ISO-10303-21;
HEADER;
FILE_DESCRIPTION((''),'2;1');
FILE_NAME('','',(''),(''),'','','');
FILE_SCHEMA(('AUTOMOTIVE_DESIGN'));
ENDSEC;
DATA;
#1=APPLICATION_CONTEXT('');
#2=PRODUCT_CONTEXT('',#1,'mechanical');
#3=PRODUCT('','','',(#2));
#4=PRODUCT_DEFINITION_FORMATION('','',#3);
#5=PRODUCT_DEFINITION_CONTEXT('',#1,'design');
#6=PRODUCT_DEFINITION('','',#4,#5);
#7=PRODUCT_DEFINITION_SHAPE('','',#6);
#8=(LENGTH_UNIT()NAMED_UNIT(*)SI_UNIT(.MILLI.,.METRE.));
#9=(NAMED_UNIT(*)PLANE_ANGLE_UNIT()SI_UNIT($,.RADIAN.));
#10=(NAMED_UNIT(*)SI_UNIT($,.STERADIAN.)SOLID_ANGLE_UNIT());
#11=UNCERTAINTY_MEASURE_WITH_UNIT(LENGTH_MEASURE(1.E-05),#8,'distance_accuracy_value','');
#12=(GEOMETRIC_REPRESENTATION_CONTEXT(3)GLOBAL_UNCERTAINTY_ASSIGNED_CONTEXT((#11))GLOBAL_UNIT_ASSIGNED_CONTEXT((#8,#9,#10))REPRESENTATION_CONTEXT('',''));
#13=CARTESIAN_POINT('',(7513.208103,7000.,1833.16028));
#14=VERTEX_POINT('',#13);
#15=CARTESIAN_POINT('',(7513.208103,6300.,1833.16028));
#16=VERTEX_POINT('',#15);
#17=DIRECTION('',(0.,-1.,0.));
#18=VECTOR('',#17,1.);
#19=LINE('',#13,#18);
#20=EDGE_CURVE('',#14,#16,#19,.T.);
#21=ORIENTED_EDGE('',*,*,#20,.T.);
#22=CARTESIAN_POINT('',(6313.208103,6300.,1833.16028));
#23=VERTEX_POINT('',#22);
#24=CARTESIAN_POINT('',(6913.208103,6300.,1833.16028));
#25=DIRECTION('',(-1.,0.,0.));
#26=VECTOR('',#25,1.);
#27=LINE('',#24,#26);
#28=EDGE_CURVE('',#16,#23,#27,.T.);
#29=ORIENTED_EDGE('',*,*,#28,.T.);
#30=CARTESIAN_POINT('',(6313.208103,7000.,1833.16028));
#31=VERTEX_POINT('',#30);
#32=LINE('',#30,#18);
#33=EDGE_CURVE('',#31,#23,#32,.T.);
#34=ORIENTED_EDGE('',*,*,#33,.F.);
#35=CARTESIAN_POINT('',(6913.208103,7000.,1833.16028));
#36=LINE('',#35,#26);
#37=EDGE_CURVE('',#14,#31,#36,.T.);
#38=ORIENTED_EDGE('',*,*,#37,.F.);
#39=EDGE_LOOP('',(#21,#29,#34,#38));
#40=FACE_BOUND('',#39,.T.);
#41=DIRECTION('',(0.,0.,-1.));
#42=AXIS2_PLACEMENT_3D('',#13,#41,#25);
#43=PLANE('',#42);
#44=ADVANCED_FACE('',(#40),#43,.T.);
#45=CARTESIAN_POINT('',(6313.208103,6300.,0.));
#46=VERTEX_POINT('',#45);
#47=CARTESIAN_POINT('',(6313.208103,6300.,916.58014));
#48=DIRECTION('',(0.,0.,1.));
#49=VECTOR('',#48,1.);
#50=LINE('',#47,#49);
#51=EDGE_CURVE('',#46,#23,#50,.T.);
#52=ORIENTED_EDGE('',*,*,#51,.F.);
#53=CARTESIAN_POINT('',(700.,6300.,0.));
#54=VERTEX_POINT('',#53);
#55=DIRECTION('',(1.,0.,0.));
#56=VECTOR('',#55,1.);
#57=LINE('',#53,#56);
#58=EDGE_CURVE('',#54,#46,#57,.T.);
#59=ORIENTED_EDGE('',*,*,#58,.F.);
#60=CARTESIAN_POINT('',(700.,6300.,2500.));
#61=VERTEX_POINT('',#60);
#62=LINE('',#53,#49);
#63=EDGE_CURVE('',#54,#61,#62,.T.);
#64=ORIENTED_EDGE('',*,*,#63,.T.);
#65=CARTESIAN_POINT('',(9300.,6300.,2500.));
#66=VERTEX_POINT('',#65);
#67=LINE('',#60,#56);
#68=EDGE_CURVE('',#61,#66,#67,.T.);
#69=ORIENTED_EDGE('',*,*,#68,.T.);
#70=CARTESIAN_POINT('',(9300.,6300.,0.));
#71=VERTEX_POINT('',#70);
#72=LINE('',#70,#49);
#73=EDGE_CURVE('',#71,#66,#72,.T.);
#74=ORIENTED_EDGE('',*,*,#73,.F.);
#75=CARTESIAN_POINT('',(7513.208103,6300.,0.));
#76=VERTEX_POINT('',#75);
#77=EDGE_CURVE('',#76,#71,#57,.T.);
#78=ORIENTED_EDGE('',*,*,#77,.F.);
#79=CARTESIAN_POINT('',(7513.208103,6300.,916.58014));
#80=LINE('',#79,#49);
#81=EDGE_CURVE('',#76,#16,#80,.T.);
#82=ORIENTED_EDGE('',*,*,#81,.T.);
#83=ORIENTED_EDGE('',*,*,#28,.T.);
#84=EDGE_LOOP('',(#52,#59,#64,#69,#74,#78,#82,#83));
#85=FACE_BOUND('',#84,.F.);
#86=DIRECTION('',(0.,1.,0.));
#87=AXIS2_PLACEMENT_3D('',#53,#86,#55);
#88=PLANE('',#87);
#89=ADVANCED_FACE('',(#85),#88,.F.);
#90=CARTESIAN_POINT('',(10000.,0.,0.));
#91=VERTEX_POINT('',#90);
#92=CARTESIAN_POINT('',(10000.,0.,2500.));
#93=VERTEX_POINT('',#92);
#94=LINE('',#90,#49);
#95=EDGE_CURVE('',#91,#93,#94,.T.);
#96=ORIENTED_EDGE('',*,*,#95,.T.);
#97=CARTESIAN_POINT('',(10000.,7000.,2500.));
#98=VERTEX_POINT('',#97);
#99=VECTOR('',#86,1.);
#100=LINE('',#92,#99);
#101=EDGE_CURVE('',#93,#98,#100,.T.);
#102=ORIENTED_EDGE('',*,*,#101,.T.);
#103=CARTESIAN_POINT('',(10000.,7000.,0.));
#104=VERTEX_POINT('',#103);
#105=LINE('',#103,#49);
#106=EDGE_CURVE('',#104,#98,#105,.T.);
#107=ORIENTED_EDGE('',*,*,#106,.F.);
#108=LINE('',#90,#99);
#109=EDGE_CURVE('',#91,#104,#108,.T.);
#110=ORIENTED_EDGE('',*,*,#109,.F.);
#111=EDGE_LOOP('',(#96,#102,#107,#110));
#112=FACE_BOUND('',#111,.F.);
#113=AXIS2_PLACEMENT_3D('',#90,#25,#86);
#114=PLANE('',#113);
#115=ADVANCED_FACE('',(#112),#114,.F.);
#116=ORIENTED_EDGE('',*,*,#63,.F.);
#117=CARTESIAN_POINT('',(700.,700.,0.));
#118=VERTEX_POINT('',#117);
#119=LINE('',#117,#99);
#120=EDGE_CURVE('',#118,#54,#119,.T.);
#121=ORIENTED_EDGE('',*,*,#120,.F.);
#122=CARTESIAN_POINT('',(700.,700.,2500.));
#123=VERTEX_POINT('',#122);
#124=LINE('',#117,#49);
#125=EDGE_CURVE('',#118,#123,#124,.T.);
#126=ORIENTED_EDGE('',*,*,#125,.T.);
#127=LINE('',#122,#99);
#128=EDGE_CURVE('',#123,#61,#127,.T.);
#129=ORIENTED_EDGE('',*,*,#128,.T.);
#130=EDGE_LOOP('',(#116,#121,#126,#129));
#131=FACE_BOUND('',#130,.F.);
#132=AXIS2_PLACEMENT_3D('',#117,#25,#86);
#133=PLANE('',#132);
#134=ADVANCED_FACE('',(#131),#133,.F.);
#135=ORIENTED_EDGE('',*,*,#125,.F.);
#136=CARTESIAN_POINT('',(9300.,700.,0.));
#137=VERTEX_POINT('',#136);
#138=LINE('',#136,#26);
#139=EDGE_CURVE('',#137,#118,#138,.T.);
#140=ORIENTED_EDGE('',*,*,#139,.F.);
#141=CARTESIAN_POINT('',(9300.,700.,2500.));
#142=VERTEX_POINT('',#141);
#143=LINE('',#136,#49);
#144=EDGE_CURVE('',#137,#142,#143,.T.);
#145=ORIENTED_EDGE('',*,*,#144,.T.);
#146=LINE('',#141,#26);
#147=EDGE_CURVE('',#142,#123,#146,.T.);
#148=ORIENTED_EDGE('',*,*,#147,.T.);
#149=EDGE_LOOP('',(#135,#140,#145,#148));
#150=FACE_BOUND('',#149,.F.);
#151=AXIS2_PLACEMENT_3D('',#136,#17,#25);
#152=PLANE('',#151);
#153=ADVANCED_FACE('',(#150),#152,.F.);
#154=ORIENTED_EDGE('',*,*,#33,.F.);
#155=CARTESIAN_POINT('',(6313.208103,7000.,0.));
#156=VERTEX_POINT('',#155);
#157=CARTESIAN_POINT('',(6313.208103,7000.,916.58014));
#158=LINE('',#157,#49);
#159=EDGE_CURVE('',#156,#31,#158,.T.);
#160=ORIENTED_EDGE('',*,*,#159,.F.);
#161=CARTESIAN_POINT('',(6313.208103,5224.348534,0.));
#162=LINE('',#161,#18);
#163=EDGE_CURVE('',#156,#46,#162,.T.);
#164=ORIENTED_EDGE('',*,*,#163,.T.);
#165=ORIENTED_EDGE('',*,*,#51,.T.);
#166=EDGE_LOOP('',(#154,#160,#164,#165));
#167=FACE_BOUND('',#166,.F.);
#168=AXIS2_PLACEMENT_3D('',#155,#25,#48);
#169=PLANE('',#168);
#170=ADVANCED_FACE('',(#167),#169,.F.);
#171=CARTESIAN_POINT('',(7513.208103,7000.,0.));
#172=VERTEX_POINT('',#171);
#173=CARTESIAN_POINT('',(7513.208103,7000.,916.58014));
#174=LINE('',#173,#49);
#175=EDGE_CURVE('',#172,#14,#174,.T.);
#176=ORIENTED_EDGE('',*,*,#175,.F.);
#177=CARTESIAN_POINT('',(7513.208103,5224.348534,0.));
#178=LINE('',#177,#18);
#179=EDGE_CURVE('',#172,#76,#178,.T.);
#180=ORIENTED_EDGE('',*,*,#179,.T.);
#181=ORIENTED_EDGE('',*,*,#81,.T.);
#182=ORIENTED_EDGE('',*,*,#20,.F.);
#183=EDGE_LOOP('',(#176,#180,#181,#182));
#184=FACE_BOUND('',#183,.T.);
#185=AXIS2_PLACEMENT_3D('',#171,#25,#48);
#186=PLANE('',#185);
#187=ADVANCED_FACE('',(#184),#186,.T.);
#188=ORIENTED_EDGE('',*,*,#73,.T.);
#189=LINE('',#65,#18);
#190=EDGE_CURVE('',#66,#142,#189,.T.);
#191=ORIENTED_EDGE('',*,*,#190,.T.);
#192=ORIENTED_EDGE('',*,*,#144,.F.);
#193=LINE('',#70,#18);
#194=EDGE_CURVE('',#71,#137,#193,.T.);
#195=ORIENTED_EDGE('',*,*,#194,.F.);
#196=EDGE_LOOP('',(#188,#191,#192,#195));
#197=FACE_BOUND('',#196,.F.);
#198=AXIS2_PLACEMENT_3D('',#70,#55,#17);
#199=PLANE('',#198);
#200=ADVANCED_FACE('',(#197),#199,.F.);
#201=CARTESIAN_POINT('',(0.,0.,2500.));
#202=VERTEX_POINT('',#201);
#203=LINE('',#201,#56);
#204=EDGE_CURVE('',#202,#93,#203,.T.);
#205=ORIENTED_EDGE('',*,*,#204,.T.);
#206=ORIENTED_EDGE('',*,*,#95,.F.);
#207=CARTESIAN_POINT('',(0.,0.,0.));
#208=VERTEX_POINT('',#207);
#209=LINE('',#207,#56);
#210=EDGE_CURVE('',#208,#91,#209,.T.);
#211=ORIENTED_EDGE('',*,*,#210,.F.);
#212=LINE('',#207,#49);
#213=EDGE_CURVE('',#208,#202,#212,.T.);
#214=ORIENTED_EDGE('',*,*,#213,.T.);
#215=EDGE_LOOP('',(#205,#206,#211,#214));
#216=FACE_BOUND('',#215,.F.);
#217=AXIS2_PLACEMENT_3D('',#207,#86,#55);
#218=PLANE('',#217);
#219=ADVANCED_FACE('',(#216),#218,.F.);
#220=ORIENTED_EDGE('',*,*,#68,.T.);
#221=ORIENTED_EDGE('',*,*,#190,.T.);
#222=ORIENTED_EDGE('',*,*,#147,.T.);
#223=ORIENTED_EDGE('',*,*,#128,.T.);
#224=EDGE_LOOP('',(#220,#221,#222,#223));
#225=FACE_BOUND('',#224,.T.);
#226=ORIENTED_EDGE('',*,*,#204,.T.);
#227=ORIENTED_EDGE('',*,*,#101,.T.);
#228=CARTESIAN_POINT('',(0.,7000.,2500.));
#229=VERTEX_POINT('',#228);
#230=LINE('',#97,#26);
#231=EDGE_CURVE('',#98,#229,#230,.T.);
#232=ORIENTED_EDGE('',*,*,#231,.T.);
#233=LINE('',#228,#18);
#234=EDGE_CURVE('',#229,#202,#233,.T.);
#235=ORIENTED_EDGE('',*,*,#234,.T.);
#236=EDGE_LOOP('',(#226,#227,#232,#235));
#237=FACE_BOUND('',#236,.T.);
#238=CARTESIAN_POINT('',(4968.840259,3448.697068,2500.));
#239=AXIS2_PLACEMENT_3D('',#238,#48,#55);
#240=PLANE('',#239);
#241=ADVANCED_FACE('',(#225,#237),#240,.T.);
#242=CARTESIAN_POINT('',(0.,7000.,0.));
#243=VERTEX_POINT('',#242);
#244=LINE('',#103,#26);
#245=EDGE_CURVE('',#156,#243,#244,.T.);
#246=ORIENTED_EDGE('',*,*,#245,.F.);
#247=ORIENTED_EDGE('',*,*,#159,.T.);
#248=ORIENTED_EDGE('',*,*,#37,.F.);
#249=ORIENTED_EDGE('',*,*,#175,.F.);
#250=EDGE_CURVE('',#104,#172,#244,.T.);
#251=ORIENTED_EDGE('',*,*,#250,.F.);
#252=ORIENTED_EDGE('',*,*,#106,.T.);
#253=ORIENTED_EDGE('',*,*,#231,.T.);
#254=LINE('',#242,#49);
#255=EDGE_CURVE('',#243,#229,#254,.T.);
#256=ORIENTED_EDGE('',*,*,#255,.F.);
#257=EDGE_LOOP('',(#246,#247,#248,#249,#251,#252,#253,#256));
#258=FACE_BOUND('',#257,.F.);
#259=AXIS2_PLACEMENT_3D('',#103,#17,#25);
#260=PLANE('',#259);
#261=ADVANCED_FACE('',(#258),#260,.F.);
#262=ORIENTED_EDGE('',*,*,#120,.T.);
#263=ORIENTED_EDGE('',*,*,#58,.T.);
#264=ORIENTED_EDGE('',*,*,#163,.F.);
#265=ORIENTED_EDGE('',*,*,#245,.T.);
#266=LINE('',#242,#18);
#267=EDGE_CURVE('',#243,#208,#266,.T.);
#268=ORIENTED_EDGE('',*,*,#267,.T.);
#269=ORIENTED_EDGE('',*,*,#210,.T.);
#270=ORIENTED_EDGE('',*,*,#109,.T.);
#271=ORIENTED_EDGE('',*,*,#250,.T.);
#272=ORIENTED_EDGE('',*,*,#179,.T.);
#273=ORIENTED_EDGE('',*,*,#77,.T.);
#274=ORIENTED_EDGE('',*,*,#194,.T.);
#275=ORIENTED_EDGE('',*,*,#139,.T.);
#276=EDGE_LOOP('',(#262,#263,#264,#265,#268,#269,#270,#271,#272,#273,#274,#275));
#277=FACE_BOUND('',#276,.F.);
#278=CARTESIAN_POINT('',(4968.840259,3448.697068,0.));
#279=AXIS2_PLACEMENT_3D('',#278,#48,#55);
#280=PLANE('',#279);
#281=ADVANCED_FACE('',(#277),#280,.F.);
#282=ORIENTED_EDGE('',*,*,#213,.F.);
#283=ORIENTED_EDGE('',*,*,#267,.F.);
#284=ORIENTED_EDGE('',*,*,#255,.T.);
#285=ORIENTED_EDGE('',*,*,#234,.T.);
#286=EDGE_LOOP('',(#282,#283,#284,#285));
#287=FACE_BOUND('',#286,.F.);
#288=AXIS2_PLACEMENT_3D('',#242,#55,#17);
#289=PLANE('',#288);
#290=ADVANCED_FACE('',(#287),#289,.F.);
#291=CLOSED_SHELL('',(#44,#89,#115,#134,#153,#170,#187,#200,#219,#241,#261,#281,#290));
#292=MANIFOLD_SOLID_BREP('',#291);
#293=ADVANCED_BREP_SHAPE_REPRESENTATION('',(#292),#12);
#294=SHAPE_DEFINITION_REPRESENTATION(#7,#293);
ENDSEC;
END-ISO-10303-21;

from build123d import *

# Parameters (mm, degrees)
F0_W     = 1200
F0_H     = 700
F1_DEPTH = 2500
F2_W     = 1200
F2_H     = 1833.160281
F3_DEPTH = 700


with BuildPart() as f1:
    # F0 (on Top) → F1 (new body)
    with BuildSketch(Plane.XY):
        Polygon((0, 7000), (0, 0), (10000, 0), (10000, 7000), (7513.208103, 7000), (7513.208103, 6300), (9300, 6300), (9300, 700), (700, 700), (700, 6300), (6313.208103, 6300), (6313.208103, 7000), align=None)
        with Locations((6913.208103, 6650)):
            Rectangle(F0_W, F0_H)
    extrude(amount=F1_DEPTH)

    # F2 (on face) → F3 (cut, through all)
    with BuildSketch(Plane(origin=(0, 7000, 0), x_dir=(-1, 0, 0), z_dir=(0, 1, 0))):
        with Locations((-6913.208103, 916.58014)):
            Rectangle(F2_W, F2_H)
    extrude(amount=-F3_DEPTH, mode=Mode.SUBTRACT)


solid = f1.part
